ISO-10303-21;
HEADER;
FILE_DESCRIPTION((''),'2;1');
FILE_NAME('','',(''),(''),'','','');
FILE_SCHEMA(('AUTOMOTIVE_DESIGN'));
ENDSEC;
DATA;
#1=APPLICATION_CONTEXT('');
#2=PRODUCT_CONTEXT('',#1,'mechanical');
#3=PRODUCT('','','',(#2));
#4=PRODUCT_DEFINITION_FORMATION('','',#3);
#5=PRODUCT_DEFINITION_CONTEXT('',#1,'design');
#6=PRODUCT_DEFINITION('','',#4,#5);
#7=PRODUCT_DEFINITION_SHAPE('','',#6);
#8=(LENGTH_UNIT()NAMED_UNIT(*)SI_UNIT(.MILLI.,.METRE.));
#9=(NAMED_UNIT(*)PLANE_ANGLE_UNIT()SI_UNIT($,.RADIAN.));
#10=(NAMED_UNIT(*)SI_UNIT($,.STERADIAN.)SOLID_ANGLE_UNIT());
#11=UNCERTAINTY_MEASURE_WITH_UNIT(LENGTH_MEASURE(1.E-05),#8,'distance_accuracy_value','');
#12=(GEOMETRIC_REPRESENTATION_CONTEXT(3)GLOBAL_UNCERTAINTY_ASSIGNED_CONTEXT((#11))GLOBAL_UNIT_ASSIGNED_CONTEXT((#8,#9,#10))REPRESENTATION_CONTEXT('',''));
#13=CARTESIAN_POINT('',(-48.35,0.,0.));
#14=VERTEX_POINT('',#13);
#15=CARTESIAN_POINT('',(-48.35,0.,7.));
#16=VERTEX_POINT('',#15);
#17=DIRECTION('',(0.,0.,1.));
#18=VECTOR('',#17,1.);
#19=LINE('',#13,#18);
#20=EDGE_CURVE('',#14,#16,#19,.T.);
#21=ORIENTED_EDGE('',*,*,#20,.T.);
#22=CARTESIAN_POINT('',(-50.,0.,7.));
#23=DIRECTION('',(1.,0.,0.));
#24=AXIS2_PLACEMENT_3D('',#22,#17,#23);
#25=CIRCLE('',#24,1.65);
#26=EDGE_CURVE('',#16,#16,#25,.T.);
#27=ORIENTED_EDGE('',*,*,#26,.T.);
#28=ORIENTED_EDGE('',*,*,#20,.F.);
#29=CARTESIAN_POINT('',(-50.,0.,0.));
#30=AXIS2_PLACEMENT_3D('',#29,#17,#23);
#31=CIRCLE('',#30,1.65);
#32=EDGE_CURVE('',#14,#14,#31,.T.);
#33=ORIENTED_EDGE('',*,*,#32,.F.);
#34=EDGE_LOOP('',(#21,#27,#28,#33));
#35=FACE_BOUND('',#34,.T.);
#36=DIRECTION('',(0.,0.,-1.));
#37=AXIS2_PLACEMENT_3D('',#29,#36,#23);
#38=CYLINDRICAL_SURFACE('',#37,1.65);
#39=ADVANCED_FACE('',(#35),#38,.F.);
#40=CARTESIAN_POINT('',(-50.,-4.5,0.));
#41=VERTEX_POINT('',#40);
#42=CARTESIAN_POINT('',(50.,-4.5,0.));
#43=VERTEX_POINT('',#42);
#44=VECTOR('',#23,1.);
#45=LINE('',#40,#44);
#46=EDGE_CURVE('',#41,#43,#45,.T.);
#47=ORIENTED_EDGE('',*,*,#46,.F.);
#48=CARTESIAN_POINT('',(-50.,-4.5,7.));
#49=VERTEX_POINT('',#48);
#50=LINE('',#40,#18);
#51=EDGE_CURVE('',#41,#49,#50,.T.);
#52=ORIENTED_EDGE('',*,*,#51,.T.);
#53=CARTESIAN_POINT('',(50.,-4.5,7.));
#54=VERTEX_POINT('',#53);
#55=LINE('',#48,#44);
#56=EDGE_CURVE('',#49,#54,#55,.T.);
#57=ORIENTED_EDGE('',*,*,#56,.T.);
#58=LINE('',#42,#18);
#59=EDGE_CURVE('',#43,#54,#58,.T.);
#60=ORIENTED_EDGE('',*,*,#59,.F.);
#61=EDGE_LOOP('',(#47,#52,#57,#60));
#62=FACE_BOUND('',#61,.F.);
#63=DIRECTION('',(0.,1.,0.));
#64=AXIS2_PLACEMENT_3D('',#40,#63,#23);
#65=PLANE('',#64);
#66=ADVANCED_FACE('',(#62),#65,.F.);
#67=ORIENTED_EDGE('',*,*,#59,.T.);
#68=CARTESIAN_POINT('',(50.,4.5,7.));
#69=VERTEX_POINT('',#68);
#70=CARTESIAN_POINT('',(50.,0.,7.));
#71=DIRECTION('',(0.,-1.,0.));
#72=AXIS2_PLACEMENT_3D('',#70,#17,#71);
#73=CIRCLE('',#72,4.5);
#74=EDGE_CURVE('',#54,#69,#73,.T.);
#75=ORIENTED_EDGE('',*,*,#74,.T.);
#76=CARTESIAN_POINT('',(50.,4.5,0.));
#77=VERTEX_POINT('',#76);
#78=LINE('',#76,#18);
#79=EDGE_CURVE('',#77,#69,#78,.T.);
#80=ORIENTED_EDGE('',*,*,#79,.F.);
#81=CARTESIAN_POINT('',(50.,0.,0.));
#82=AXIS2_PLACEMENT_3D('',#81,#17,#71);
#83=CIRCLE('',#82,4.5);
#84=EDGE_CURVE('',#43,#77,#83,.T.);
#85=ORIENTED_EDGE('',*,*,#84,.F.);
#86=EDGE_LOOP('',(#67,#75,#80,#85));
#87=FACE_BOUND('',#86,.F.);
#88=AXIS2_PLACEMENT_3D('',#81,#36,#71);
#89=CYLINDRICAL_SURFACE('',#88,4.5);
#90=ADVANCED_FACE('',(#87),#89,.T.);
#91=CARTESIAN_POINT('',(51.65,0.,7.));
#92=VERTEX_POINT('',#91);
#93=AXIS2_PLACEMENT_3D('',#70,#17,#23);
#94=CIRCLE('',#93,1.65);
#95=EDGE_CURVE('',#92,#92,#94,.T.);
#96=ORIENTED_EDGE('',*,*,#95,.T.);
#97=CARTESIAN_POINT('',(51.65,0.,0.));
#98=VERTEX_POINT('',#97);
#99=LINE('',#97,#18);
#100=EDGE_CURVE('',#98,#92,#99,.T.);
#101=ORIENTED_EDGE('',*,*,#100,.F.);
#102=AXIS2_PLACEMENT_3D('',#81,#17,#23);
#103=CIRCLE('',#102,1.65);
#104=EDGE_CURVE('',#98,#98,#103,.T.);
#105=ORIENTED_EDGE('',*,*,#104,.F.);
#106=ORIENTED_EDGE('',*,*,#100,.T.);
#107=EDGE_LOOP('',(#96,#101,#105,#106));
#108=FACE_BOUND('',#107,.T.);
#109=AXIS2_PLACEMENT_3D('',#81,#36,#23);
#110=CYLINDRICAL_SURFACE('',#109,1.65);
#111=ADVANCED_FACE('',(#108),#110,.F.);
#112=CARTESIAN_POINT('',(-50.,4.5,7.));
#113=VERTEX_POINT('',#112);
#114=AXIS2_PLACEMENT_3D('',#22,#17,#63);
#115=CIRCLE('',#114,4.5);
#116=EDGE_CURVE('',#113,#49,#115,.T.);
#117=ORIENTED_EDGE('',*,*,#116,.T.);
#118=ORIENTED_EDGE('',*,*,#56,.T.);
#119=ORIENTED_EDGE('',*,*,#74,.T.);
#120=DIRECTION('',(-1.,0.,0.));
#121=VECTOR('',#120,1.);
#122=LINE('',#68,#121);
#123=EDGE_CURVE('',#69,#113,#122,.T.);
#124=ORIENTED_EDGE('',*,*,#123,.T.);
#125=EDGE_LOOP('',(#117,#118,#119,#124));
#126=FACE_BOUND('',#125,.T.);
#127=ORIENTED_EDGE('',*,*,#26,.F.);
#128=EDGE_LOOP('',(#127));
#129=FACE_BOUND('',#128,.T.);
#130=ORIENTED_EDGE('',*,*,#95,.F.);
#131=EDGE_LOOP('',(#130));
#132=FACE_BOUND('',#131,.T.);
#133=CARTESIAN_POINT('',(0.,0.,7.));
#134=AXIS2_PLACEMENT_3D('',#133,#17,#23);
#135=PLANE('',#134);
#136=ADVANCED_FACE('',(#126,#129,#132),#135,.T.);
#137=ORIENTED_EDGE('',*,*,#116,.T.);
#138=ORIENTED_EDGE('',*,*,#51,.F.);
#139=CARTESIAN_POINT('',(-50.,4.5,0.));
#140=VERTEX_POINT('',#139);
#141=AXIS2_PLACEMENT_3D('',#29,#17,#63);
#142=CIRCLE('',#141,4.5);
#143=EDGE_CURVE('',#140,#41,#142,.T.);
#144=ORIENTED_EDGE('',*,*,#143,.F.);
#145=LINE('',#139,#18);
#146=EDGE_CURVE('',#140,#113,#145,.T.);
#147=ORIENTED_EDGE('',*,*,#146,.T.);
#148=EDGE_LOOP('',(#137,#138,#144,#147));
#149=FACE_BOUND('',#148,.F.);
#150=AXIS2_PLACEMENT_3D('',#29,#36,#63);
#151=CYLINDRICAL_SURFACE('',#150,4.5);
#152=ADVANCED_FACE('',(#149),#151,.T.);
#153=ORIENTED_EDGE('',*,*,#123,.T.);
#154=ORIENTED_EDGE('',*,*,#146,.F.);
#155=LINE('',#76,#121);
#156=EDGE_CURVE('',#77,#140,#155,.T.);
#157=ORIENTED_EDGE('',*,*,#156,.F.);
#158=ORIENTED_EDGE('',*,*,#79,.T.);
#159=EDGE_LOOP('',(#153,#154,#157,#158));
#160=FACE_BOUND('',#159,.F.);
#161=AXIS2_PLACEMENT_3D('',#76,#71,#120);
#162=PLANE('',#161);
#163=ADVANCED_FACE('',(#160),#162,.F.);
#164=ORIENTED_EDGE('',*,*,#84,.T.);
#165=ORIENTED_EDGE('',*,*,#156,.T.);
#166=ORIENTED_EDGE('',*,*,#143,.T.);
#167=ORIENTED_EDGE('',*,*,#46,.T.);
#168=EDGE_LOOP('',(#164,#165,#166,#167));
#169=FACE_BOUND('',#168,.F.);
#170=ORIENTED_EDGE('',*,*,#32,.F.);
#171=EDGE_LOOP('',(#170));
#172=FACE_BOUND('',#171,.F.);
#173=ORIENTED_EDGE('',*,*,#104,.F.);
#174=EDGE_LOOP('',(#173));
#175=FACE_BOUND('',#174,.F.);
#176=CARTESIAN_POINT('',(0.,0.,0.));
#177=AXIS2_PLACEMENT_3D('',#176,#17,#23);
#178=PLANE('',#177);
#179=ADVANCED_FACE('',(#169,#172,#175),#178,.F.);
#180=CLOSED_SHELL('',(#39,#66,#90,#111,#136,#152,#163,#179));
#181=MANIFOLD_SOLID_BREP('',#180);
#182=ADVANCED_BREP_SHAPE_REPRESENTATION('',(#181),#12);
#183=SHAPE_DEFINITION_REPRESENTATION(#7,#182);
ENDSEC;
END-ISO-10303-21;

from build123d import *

# Parameters (mm, degrees)
SKETCH_R  = 1.65
PAD_DEPTH = 7


with BuildPart() as part:
    # Sketch → Pad (new body)
    with BuildSketch(Plane.XY):
        with BuildLine():
            ThreePointArc((-50, 4.5), (-54.5, 0), (-50, -4.5))
            Line((-50, -4.5), (50, -4.5))
            ThreePointArc((50, -4.5), (54.5, 0), (50, 4.5))
            Line((50, 4.5), (-50, 4.5))
        make_face()
        with Locations((-50, 0)):
            Circle(SKETCH_R, mode=Mode.SUBTRACT)
        with Locations((50, 0)):
            Circle(SKETCH_R, mode=Mode.SUBTRACT)
    extrude(amount=PAD_DEPTH)


solid = part.part
